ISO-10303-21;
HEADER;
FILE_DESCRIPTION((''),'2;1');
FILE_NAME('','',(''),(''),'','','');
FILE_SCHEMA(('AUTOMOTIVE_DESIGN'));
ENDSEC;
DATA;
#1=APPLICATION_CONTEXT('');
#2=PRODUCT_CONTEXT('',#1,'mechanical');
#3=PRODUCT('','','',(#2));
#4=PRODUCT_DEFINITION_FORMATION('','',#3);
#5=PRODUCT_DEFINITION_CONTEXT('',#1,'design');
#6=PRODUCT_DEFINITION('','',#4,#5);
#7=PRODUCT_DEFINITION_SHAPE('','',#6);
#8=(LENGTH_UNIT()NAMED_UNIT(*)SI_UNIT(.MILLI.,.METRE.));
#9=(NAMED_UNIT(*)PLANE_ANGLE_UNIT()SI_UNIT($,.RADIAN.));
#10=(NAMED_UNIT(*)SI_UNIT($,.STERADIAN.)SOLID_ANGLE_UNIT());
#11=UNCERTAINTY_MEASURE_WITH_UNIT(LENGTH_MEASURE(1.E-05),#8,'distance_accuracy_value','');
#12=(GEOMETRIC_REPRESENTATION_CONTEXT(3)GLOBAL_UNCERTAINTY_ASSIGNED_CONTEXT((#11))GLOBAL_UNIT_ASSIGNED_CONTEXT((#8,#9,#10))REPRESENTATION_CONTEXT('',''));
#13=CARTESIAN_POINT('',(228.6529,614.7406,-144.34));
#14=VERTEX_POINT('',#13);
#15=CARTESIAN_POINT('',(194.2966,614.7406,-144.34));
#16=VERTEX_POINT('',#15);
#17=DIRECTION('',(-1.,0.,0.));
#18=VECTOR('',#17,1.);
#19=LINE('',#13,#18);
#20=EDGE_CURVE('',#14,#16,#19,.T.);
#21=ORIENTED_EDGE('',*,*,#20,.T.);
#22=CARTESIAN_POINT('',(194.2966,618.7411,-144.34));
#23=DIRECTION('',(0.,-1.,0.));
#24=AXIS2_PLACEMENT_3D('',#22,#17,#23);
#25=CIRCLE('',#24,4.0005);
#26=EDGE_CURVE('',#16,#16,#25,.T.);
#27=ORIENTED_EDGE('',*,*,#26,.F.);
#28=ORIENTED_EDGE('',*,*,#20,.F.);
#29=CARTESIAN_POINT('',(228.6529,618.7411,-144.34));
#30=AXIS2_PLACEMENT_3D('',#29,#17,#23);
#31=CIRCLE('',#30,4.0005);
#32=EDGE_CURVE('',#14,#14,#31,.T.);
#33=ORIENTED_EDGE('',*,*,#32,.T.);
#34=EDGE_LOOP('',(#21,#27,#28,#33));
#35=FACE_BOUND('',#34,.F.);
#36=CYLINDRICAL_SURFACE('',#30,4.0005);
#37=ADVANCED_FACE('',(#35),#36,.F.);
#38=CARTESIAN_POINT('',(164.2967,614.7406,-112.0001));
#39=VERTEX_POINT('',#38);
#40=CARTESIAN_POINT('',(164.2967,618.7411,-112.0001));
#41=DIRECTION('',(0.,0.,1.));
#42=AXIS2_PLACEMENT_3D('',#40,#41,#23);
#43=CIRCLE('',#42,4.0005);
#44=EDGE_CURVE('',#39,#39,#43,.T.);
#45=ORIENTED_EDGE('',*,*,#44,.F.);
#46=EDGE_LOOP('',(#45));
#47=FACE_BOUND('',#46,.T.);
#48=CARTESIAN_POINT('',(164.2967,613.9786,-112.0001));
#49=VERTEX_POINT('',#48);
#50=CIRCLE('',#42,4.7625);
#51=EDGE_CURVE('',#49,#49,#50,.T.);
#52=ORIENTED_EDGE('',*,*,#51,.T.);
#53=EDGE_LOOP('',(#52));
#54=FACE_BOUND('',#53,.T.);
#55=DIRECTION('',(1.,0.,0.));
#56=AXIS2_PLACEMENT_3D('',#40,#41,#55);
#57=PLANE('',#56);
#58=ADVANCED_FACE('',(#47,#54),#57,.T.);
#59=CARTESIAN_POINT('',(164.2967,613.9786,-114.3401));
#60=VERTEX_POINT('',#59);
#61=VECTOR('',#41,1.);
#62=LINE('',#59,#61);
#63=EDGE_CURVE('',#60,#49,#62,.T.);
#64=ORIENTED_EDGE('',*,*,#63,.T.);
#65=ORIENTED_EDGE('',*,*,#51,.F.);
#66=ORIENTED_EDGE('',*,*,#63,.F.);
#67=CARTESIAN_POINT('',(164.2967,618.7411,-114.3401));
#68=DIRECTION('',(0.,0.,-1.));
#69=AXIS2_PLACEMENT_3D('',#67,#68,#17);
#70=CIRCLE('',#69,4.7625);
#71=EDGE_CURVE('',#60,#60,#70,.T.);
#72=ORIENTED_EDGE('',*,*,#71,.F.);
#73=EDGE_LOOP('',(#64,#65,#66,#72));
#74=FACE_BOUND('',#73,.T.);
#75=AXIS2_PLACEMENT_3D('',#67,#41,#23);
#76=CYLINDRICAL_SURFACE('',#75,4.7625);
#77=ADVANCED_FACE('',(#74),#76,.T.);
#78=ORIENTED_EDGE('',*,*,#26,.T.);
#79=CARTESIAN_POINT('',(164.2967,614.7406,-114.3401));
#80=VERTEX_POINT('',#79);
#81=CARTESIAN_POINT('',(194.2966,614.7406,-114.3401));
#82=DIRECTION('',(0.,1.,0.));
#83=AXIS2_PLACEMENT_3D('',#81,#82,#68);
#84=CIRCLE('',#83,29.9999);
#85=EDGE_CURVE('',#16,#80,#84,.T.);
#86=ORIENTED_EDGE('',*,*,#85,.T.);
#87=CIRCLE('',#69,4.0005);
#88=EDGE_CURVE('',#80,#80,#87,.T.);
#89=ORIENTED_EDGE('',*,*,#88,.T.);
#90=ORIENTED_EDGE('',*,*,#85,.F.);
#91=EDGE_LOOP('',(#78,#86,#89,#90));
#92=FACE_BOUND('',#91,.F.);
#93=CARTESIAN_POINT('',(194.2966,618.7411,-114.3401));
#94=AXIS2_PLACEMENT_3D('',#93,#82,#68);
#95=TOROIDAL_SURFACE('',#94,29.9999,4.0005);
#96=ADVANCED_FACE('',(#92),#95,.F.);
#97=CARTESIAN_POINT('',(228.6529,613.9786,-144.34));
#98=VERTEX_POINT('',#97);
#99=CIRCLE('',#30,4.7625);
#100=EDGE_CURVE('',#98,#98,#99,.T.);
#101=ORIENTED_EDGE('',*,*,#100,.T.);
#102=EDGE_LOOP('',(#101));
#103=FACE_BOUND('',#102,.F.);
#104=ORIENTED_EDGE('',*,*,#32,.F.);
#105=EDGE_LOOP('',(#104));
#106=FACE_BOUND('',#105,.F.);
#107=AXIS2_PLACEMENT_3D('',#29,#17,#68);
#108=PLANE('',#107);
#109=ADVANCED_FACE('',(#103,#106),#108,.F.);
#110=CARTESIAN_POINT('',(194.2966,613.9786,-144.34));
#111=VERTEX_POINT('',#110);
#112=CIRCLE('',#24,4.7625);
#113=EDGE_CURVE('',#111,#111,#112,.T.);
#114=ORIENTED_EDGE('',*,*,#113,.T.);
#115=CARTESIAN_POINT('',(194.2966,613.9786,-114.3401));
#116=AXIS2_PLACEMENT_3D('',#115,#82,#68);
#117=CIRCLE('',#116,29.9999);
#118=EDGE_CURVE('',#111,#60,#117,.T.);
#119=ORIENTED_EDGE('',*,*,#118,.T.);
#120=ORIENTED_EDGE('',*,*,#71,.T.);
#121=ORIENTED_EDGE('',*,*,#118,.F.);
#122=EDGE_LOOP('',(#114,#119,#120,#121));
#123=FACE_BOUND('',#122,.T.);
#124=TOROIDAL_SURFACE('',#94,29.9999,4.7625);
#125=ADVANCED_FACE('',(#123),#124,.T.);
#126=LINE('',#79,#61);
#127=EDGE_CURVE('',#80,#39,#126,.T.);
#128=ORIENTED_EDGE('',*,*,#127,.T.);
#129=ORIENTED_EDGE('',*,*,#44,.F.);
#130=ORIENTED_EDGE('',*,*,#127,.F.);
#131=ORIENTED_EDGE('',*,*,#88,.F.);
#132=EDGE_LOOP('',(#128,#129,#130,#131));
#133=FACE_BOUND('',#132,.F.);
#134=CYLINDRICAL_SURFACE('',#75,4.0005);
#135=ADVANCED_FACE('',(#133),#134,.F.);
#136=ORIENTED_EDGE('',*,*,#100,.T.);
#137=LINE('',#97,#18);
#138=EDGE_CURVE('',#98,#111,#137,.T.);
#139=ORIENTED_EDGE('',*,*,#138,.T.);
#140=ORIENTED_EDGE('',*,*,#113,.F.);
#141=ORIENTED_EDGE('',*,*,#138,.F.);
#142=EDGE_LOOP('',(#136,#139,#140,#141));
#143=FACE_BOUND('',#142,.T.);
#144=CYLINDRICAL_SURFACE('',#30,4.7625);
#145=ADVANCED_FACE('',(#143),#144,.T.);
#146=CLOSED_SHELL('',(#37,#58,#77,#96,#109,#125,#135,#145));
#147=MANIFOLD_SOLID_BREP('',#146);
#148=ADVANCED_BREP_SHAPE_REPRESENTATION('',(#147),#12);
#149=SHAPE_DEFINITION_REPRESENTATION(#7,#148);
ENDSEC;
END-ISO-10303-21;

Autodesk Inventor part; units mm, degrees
ref_plane "YZ Plane" through (0, 0, 0) normal (1, 0, 0) x (0, 1, 0)
ref_plane "XZ Plane" through (0, 0, 0) normal (0, 1, 0) x (-1, 0, 0)
ref_plane "Work Plane1" through (228.6529, 618.7411, -144.34) normal (-1, 0, 0) x (0, -1, 0)
sketch "Sketch3" plane through (228.6529, 618.7411, -144.34) normal (-1, 0, 0) x (0, -1, 0)
  circle A0 centre (0, 0) radius 4.7625
  circle A1 centre (0, 0) radius 4.0005
sketch3d "3D Sketch1"
  line L0 (228.6529, 618.7411, -144.34) -> (194.2966, 618.7411, -144.34)
  arc A0 (194.2966, 618.7411, -144.34) -> (164.2967, 618.7411, -114.3401) centre (194.2966, 618.7411, -114.3401) ccw
  line L1 (164.2967, 618.7411, -114.3401) -> (164.2967, 618.7411, -112.0001)
  dimension "d4" = 29.9999
sweep "Sweep1" add profiles "Sketch3" path "3D Sketch1"
equation "\"OD\" = 9.525"
equation "\"t\" = 0.762"
equation "\"L\" = PL"
equation "\"ID\" = 8.001"
equation "\"PL\" = 83.82"
equation "\"Size_Designation\" = 1.2345"
properties material "Copper"
